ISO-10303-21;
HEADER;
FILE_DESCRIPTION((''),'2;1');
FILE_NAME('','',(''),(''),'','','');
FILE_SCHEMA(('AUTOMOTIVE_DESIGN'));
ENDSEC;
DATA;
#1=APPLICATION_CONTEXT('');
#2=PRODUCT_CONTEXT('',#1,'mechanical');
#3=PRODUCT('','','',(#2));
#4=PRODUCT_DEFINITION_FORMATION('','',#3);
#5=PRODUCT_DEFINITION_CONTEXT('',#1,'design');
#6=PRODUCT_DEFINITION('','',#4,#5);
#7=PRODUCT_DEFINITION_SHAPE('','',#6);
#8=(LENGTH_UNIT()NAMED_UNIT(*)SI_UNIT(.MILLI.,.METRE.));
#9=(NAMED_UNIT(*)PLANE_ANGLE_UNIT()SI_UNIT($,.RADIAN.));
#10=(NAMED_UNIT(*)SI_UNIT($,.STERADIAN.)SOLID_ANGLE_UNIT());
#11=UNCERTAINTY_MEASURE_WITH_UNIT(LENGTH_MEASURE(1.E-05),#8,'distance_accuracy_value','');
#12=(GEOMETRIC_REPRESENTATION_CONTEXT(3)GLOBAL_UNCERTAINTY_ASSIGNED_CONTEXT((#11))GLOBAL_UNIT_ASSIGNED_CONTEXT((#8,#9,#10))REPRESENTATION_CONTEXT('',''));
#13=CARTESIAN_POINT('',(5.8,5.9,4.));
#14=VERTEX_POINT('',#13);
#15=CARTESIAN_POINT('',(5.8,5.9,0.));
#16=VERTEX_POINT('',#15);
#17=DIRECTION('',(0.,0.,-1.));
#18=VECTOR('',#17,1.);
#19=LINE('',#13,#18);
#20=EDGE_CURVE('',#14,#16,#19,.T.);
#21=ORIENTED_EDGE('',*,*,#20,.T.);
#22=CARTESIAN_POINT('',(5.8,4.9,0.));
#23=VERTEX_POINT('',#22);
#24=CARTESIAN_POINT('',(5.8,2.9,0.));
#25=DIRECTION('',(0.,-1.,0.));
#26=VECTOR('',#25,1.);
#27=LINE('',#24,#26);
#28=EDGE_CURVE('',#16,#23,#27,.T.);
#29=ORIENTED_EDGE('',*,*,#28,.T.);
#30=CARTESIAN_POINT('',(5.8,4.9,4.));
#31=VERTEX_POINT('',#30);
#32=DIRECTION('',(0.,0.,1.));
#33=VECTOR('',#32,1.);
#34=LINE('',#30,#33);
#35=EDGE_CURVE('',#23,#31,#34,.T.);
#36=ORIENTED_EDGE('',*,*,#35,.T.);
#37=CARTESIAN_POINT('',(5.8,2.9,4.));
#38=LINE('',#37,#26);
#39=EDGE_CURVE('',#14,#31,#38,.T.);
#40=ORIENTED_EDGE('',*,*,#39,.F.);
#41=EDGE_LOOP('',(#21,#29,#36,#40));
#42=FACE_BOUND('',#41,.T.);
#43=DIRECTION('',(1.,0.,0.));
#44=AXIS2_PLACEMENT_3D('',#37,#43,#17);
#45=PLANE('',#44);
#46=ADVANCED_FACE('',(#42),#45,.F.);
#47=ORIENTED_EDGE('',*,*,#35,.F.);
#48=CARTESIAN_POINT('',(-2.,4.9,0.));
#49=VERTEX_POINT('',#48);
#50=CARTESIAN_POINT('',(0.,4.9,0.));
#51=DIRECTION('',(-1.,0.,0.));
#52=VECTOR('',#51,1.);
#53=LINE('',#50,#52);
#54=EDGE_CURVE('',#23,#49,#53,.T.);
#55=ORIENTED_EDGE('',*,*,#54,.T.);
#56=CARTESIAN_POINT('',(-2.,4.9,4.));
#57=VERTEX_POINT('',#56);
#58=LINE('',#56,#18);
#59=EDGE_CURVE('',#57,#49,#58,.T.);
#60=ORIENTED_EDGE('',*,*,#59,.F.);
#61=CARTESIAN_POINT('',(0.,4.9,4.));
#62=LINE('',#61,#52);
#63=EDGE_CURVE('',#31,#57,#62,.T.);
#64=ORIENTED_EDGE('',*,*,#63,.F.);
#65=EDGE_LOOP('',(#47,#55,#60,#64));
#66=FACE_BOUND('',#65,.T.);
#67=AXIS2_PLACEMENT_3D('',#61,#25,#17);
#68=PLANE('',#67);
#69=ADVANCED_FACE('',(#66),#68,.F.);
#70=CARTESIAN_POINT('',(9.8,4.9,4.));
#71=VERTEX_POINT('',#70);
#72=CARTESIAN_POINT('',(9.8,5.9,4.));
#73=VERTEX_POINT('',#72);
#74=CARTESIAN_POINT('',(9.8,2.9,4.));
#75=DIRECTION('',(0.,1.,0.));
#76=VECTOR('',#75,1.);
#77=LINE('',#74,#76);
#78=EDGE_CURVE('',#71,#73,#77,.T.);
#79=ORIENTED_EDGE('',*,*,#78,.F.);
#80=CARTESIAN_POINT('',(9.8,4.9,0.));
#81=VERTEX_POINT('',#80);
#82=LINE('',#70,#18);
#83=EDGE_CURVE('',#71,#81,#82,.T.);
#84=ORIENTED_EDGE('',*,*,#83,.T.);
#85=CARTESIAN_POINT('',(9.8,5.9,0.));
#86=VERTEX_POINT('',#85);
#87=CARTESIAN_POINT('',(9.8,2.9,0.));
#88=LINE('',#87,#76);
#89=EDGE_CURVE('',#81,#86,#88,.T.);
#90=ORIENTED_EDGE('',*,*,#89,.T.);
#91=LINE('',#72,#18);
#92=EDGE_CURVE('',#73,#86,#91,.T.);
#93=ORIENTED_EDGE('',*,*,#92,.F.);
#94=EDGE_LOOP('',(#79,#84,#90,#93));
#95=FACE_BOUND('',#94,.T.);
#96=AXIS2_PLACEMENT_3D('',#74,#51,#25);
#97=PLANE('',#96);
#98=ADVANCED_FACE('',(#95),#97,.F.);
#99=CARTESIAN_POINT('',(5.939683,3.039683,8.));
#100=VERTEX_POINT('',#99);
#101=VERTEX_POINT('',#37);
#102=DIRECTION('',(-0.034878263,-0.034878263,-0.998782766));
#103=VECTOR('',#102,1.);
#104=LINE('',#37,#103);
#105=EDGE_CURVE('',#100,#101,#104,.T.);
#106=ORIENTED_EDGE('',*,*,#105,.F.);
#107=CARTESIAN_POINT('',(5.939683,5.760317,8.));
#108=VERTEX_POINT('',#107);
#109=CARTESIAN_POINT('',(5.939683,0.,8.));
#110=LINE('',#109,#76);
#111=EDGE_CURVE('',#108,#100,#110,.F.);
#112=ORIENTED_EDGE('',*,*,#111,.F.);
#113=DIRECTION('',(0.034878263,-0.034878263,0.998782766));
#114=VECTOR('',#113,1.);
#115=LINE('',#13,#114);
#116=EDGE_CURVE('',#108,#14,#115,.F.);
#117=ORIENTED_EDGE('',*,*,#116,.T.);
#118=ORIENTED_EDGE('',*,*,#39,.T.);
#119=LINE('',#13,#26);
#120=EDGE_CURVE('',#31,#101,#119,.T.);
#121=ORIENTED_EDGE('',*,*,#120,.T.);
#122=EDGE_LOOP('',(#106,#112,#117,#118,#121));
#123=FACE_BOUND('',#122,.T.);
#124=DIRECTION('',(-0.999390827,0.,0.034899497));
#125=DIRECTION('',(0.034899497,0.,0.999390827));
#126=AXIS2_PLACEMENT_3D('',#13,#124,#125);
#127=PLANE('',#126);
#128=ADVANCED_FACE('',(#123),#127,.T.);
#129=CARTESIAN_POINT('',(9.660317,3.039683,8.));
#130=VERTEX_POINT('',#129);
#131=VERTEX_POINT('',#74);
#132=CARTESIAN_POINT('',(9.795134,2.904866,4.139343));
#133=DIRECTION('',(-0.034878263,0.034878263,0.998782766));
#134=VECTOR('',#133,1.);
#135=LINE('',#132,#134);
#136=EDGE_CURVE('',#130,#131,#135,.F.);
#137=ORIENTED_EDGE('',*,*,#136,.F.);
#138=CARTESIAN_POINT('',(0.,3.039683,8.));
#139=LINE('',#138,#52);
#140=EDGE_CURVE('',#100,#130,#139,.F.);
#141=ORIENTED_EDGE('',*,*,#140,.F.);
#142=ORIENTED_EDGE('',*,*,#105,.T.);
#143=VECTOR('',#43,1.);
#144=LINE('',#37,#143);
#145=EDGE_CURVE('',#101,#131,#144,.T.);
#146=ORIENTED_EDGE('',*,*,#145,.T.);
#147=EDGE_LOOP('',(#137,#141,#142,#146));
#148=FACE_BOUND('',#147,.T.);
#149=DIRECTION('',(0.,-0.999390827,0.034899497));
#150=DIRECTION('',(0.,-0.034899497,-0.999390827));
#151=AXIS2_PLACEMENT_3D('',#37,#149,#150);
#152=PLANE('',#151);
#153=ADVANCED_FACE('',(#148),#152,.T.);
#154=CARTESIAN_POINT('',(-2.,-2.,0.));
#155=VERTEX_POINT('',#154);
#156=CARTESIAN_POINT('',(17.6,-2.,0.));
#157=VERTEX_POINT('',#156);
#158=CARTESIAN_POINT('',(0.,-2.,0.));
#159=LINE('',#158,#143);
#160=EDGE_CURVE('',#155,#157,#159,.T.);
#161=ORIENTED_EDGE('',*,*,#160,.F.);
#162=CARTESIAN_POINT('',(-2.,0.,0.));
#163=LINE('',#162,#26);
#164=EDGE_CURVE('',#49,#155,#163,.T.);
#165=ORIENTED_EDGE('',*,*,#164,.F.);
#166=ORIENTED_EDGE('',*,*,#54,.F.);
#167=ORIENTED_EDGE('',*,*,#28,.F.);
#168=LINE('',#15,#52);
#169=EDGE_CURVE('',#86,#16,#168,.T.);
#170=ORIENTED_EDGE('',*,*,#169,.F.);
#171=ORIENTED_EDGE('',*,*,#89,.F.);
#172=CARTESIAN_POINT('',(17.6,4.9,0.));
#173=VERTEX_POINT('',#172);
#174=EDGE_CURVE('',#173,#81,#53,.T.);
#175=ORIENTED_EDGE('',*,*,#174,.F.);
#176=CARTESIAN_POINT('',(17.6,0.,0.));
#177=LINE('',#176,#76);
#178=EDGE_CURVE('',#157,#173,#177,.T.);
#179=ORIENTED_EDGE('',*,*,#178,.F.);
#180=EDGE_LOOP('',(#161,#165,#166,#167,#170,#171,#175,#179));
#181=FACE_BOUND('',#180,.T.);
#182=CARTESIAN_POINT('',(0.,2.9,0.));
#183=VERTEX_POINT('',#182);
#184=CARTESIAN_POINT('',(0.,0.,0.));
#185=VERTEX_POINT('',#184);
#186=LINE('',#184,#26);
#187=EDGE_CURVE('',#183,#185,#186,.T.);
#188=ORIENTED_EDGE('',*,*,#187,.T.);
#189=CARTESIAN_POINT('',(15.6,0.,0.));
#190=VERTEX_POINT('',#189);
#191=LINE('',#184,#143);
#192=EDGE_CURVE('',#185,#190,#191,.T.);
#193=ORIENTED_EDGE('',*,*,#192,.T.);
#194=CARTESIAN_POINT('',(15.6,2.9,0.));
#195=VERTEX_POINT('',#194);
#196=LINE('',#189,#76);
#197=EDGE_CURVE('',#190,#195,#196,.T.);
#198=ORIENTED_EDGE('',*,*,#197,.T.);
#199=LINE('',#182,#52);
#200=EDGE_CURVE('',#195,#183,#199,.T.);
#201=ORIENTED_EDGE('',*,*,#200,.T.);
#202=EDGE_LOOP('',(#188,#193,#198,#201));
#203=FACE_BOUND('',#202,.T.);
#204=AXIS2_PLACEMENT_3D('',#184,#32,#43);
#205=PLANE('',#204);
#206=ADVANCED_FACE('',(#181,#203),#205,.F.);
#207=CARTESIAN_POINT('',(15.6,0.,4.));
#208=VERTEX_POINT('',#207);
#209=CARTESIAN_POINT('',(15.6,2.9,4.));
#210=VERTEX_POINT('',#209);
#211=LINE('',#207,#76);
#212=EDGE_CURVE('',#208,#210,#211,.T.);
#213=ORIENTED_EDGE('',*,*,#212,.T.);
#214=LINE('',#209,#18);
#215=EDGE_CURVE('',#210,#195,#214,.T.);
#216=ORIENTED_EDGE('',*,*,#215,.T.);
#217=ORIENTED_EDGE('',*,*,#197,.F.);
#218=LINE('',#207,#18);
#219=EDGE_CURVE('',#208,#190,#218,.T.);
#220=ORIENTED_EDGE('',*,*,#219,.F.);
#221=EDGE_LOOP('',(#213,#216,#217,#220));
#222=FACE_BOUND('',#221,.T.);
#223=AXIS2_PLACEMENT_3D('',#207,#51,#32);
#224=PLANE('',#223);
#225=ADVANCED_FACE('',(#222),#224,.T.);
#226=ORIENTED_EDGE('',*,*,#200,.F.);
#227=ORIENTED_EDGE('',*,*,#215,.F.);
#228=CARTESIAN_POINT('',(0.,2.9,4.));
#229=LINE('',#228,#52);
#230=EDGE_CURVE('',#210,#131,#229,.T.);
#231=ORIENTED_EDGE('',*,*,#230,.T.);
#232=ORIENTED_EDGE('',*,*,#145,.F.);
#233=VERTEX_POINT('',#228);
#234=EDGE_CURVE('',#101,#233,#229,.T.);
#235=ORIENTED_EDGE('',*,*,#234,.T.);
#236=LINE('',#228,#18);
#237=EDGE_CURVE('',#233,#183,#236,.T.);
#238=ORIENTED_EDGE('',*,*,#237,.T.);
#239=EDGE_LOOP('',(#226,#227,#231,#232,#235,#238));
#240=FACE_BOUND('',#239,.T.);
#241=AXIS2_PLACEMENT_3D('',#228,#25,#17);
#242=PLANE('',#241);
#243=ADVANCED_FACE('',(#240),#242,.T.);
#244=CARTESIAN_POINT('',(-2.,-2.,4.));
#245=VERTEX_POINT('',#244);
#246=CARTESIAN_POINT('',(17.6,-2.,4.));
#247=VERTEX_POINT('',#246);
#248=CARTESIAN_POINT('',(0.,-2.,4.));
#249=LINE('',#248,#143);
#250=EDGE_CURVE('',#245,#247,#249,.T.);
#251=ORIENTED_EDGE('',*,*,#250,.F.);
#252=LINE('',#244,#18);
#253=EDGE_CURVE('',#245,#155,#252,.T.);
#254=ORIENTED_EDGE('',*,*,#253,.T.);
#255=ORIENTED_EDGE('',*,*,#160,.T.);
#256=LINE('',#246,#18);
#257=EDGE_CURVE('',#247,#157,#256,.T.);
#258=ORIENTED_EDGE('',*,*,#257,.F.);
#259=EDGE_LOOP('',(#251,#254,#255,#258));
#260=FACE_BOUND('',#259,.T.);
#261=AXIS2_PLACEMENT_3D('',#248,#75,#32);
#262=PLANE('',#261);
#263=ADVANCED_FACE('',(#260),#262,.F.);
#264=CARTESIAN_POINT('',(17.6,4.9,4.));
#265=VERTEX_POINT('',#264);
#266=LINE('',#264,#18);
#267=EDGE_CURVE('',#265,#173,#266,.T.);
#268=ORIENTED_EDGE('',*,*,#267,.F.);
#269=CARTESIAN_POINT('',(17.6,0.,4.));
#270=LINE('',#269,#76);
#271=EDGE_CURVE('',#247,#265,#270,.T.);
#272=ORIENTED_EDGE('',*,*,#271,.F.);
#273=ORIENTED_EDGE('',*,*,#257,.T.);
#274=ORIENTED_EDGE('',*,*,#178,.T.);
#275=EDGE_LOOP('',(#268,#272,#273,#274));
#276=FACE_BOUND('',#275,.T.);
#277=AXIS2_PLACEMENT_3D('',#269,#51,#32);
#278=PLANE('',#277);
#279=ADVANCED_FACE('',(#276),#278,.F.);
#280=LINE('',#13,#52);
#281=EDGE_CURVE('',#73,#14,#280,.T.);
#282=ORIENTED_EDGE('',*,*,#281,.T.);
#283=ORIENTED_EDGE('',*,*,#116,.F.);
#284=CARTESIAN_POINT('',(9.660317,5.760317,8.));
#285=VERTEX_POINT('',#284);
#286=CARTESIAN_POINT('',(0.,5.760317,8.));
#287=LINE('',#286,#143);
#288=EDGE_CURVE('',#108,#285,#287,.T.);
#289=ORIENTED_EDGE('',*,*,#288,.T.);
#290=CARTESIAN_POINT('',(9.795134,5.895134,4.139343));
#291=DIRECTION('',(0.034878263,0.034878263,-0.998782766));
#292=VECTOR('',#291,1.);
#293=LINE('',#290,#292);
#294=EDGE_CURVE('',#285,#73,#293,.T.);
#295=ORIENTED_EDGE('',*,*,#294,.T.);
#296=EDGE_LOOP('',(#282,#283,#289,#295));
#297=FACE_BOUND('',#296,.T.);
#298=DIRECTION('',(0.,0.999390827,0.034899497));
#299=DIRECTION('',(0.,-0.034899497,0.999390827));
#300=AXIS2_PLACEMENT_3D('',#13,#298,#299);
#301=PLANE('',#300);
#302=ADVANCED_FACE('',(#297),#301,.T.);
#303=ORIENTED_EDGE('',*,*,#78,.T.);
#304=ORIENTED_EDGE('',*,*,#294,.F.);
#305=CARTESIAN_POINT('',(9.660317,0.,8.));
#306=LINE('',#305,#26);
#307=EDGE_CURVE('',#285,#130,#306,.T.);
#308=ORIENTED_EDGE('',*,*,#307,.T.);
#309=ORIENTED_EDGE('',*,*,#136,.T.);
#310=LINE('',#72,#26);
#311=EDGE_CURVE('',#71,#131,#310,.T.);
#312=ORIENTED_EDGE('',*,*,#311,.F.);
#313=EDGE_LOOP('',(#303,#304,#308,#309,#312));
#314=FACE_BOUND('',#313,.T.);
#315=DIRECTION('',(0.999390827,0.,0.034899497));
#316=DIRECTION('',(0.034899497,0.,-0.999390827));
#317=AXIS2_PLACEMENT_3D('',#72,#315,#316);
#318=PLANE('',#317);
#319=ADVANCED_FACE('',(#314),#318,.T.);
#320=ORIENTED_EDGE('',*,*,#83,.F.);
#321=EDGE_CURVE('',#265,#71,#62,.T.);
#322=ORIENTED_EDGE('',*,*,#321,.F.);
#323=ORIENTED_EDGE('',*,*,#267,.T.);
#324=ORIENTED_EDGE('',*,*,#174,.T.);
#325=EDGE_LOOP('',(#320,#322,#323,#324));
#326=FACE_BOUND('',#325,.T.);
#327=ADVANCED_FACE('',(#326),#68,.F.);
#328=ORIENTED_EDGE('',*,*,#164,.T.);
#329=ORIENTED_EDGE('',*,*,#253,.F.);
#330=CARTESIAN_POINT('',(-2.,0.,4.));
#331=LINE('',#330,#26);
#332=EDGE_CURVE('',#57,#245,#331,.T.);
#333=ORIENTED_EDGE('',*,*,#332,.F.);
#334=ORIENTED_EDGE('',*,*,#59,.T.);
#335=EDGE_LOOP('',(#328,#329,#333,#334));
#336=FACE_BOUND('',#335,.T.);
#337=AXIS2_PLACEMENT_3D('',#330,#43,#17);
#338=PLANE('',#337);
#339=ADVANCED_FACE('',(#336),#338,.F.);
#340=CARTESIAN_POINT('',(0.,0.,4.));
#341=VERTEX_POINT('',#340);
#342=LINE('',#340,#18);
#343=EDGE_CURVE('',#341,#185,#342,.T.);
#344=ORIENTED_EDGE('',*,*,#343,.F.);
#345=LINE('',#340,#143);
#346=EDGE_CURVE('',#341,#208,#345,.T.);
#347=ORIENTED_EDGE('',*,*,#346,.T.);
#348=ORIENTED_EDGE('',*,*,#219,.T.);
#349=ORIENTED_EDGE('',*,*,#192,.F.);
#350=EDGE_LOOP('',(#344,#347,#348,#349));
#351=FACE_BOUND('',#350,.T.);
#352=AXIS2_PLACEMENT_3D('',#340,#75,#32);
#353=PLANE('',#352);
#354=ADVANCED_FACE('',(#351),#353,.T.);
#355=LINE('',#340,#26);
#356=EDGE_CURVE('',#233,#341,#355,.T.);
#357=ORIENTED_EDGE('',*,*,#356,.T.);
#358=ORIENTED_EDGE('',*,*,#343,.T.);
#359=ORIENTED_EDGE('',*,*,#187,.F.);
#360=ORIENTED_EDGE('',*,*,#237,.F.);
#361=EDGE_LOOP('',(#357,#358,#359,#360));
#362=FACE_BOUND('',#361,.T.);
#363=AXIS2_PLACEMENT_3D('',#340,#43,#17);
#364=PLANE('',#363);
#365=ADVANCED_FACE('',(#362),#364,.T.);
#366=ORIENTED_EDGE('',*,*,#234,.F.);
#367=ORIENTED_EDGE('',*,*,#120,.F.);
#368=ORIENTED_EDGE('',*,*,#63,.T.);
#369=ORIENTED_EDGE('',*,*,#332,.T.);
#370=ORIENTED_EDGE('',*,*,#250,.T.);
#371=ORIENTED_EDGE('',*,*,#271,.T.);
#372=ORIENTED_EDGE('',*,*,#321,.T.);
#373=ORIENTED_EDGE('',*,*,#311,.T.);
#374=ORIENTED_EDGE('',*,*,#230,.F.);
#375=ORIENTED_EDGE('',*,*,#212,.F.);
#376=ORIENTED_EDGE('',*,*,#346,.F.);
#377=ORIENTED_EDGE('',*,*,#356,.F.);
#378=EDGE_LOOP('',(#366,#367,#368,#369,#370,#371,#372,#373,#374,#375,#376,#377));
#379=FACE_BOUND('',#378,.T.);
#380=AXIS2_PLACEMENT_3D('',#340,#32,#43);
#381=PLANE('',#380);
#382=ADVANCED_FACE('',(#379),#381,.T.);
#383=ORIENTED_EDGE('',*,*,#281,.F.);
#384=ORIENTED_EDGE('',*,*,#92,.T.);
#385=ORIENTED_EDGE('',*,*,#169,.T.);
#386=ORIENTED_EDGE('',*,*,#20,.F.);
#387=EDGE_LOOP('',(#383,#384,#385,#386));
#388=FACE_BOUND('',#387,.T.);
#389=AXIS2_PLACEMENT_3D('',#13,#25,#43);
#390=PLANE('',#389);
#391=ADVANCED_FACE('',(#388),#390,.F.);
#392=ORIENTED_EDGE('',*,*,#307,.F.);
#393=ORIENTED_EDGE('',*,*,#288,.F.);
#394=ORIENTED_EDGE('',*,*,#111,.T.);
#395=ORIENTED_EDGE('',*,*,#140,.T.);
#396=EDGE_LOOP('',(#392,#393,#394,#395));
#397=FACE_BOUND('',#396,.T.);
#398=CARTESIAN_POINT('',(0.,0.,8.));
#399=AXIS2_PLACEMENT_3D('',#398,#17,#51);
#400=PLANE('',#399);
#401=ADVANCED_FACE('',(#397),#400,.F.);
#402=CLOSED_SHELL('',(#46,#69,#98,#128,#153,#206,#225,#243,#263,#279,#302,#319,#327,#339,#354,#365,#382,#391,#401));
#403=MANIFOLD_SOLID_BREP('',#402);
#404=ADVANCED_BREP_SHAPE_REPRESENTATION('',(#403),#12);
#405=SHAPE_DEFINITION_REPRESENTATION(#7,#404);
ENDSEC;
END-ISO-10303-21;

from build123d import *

# Parameters (mm, degrees)
ESQUISSE1_W        = 19.6
ESQUISSE1_H        = 6.9
ESQUISSE1_W_2      = 15.6
ESQUISSE1_H_2      = 2.9
EXTRU_MINCE1_DEPTH = 4
ESQUISSE2_W        = 4
ESQUISSE2_H        = 3
BOSS_EXTRU_2_DEPTH = 4
ESQUISSE3_W        = 4
ESQUISSE3_H        = 3
BOSS_EXTRU_3_DEPTH = 4
BOSS_EXTRU_3_TAPER = 2


with BuildPart() as part:
    # Esquisse1 → Extru.-Mince1 (new body)
    with BuildSketch(Plane.XY):
        with Locations((7.8, 1.45)):
            Rectangle(ESQUISSE1_W, ESQUISSE1_H)
        with Locations((7.8, 1.45)):
            Rectangle(ESQUISSE1_W_2, ESQUISSE1_H_2, mode=Mode.SUBTRACT)
    extrude(amount=EXTRU_MINCE1_DEPTH)

    # Esquisse2 → Boss.-Extru.2 (add)
    with BuildSketch(Plane.XY):
        with Locations((7.8, 4.4)):
            Rectangle(ESQUISSE2_W, ESQUISSE2_H)
    extrude(amount=BOSS_EXTRU_2_DEPTH)

    # Esquisse3 → Boss.-Extru.3 (add)
    with BuildSketch(Plane.XY.offset(4)):
        with Locations((7.8, 4.4)):
            Rectangle(ESQUISSE3_W, ESQUISSE3_H)
    extrude(amount=BOSS_EXTRU_3_DEPTH, taper=BOSS_EXTRU_3_TAPER)


solid = part.part
